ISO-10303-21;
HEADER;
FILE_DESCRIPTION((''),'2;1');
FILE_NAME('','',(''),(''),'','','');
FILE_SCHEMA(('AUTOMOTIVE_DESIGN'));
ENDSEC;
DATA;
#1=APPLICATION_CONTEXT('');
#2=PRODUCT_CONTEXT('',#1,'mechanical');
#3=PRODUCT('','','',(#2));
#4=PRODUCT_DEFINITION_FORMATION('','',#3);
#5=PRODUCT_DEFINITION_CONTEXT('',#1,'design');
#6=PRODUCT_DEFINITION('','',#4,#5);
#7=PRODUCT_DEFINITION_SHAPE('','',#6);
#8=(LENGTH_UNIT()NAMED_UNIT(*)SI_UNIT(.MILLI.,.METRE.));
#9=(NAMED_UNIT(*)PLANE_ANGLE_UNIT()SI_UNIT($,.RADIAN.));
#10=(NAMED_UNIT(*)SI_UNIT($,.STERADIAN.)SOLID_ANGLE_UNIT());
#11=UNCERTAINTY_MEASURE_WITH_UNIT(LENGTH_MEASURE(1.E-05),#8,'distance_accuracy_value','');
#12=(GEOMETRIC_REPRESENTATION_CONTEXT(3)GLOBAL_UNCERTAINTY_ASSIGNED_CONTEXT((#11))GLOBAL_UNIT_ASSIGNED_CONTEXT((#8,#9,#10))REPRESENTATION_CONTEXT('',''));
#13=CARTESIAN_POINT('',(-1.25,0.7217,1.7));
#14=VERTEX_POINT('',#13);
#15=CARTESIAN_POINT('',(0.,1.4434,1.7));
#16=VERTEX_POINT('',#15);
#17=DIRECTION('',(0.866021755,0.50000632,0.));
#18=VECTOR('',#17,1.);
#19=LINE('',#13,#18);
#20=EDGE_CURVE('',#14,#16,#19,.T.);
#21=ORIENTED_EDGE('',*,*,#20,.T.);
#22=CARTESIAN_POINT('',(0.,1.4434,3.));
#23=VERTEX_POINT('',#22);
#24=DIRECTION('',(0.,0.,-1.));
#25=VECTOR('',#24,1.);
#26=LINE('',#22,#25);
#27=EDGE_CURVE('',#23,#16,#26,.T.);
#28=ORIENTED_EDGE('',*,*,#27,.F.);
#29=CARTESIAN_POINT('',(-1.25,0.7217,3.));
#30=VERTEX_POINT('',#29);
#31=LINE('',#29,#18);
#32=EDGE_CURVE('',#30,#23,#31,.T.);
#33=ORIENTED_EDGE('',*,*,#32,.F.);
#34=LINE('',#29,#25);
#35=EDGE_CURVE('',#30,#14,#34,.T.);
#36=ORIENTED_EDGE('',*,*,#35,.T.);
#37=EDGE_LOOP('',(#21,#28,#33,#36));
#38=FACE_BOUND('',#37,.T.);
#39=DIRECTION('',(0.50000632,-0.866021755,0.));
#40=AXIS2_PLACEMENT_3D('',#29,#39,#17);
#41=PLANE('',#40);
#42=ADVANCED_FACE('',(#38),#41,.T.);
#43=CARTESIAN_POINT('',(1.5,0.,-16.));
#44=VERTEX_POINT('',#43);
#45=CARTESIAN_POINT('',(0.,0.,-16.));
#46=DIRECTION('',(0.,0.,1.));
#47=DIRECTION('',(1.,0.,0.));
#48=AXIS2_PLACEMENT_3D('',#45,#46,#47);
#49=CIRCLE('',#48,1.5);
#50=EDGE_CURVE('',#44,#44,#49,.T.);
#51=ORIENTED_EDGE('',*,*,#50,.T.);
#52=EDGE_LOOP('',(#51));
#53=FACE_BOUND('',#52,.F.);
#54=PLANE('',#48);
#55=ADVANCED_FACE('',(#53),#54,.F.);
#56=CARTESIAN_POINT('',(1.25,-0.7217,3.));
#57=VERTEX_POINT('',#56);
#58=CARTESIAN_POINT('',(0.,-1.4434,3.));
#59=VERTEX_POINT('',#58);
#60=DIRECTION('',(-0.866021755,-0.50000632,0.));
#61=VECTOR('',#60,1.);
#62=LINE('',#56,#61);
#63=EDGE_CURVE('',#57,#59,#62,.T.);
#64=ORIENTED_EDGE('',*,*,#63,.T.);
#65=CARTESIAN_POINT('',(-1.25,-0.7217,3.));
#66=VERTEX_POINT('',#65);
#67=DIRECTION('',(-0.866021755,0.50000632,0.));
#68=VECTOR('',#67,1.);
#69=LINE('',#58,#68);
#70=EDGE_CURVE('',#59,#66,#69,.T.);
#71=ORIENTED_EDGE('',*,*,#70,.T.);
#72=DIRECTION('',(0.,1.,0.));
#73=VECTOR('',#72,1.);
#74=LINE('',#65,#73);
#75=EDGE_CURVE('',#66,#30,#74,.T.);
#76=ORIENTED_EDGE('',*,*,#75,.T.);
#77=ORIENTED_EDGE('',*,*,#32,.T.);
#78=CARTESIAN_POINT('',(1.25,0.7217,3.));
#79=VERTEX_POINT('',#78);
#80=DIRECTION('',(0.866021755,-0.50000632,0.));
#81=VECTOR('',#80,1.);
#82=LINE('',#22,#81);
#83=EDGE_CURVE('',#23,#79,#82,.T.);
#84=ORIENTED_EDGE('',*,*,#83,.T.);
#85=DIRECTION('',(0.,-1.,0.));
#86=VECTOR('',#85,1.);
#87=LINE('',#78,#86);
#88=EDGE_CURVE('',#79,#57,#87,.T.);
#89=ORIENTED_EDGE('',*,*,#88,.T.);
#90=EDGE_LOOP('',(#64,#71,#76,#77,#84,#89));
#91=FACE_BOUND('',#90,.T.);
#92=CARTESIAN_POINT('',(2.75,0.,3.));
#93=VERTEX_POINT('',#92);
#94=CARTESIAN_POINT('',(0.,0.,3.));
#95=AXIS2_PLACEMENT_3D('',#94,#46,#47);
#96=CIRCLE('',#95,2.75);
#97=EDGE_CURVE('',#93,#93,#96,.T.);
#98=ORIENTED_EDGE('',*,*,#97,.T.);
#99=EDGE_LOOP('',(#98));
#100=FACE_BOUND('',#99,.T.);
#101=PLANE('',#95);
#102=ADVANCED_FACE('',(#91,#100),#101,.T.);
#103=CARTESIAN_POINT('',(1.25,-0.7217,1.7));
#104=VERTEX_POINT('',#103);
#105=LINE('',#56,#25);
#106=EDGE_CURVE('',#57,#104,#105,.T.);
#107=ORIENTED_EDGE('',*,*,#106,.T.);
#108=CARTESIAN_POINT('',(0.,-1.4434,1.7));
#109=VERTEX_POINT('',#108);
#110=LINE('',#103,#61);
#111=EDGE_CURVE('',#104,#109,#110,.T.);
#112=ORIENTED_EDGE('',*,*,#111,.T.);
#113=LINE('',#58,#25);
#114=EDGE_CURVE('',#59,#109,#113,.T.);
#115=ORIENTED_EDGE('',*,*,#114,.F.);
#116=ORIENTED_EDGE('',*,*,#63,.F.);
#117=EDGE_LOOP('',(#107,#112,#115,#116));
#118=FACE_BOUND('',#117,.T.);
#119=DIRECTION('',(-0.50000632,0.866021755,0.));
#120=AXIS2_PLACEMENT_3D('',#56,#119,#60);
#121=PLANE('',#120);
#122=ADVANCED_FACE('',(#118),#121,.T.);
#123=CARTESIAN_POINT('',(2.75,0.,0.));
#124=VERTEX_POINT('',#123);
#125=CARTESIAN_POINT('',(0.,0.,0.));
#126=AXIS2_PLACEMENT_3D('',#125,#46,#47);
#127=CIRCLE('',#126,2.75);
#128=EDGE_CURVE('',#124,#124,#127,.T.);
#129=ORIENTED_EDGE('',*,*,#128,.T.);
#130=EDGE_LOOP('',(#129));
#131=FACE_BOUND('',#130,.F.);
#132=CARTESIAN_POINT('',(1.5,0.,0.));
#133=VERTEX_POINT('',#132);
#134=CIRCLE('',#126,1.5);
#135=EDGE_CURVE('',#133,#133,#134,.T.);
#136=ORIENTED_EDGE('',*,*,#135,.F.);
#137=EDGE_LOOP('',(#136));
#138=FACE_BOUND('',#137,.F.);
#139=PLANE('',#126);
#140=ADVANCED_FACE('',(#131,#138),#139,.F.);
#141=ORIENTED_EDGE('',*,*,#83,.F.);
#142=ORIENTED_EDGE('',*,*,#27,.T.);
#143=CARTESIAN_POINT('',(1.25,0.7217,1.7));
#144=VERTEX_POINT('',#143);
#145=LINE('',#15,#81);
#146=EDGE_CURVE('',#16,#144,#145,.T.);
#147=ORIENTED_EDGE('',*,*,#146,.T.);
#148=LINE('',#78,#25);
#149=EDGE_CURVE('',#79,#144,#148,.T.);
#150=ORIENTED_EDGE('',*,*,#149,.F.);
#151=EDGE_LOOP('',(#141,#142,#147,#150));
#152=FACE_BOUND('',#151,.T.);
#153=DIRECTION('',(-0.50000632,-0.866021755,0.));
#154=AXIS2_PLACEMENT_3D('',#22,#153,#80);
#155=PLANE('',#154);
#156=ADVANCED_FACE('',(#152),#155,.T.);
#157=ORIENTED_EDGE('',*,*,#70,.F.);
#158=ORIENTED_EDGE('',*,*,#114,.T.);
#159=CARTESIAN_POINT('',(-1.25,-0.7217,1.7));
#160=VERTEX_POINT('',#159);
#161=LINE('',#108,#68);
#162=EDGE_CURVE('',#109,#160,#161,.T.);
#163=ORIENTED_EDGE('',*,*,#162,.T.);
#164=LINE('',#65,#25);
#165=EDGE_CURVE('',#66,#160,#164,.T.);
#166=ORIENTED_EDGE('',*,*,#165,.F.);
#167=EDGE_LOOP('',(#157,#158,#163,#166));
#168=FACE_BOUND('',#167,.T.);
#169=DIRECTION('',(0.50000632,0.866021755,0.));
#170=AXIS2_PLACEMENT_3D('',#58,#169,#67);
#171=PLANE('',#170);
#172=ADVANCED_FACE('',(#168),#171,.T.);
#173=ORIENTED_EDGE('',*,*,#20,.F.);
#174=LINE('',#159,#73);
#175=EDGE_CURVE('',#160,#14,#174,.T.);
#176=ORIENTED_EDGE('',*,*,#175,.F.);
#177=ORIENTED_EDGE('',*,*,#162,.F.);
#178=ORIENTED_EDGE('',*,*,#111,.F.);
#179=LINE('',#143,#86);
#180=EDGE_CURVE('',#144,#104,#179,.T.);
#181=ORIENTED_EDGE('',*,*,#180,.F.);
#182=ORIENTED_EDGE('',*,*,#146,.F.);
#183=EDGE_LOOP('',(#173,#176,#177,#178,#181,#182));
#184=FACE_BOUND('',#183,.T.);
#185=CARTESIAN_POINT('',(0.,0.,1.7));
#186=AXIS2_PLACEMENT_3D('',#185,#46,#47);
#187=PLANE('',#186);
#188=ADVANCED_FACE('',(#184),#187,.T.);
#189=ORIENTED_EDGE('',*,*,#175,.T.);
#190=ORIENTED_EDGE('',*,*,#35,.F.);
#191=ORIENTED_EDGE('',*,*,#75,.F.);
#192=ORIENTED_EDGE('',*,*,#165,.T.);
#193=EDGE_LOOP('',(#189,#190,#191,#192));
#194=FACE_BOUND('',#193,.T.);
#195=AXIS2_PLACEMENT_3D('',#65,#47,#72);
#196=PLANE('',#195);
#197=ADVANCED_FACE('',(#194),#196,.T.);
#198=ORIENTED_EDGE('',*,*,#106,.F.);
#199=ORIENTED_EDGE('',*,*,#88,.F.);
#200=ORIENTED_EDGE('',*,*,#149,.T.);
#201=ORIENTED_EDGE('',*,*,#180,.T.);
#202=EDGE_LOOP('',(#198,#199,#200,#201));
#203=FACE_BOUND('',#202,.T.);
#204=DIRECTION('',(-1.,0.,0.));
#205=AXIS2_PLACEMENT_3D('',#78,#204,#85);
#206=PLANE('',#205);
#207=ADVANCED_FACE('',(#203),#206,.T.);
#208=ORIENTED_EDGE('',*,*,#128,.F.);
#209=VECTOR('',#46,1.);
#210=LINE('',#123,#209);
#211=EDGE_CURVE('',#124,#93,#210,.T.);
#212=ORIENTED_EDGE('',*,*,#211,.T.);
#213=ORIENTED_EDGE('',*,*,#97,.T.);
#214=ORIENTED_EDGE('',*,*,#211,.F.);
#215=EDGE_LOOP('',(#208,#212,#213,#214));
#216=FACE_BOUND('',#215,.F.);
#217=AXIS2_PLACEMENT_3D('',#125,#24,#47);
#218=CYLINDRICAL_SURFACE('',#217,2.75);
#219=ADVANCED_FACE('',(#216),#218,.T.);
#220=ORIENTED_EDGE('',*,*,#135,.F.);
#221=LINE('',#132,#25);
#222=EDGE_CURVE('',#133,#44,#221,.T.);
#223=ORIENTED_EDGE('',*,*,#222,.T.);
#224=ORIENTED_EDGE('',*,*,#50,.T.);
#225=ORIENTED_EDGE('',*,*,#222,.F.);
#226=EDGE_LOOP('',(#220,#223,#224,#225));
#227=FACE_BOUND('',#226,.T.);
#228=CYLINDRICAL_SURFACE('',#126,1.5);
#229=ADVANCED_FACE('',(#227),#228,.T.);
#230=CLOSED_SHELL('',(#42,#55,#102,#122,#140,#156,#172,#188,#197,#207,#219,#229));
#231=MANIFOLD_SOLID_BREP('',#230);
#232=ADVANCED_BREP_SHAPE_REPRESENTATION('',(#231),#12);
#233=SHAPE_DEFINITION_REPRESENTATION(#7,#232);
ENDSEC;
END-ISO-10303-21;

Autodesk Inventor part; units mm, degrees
ref_plane "YZ Plane" through (0, 0, 0) normal (1, 0, 0) x (0, 1, 0)
ref_plane "XZ Plane" through (0, 0, 0) normal (0, 1, 0) x (-1, 0, 0)
ref_plane "XY Plane" through (0, 0, 0) normal (0, 0, 1) x (1, 0, 0)
sketch "スケッチ1" plane through (0, 0, 0) normal (0, 0, 1) x (1, 0, 0)
  circle A0 centre (0, 0) radius 1.5
  dimension "d0" = 3
extrude "押し出し1" add sketch "スケッチ1" against normal blind 16
sketch "スケッチ2" plane through (0, 0, 0) normal (0, 0, 1) x (1, 0, 0)
  circle A0 centre (0, 0) radius 2.75
  dimension "d3" = 5.5
extrude "押し出し2" add sketch "スケッチ2" along normal blind 3
sketch "スケッチ3" plane through (0, 0, 3) normal (0, 0, 1) x (1, 0, 0)
  line L0 (0, 1.4434) -> (1.25, 0.7217)
  line L1 (1.25, 0.7217) -> (1.25, -0.7217)
  line L2 (1.25, -0.7217) -> (0, -1.4434)
  line L3 (0, -1.4434) -> (-1.25, -0.7217)
  line L4 (-1.25, -0.7217) -> (-1.25, 0.7217)
  line L5 (-1.25, 0.7217) -> (0, 1.4434)
  point P0 (0, 0)
  point P1 (0, 0)
  dimension "d6" = 2.5
extrude "押し出し3" cut sketch "スケッチ3" against normal blind 1.3
thread "ねじ1" size "M3x0.5" class "6g" standard "ANSI Metric M Profile" full length
properties part number "M3キャップボルト 16" material "鋼、高強度、低合金"
